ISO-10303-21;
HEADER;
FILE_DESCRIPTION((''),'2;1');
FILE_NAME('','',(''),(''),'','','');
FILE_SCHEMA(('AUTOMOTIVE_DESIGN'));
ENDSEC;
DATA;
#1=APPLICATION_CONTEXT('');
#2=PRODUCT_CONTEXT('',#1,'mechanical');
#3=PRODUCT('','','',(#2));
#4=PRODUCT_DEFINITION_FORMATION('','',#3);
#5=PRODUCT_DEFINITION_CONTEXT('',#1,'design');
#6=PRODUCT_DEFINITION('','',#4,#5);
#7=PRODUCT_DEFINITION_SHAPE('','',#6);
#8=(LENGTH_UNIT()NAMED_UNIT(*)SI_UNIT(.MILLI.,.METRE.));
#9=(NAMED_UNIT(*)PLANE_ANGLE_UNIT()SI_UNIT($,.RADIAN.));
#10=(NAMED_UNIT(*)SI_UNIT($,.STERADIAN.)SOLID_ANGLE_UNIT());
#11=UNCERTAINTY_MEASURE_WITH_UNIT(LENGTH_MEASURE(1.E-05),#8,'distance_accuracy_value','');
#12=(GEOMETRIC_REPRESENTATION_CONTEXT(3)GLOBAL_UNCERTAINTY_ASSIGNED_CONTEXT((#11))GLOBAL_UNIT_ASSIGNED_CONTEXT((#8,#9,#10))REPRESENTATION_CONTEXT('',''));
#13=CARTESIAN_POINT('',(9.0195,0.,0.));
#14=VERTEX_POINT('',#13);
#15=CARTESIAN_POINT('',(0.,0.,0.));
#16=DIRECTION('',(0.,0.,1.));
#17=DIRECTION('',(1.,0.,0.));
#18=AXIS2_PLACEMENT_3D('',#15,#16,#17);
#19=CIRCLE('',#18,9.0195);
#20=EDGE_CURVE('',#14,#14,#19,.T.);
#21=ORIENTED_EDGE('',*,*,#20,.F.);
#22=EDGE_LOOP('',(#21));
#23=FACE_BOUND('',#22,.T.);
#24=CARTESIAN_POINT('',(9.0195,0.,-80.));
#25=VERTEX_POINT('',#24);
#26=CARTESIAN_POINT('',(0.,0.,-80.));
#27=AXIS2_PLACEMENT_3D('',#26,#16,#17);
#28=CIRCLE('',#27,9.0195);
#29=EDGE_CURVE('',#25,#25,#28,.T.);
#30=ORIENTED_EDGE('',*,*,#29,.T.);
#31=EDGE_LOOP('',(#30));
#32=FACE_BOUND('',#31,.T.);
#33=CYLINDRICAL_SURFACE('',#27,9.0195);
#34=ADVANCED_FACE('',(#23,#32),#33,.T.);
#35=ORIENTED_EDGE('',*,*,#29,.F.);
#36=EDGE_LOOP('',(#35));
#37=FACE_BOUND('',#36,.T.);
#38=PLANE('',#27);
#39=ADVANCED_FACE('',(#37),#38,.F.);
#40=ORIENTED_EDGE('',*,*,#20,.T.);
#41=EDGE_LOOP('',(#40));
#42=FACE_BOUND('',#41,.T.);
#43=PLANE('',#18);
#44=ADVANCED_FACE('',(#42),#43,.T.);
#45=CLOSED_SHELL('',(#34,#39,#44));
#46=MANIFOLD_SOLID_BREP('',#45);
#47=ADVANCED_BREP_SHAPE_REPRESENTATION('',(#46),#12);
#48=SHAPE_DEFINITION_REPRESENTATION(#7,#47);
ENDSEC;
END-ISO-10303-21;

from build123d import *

# Parameters (mm, degrees)
SKETCH1_R           = 9.0195
BOSS_EXTRUDE1_DEPTH = 80


with BuildPart() as part:
    # Sketch1 → Boss-Extrude1 (new body)
    with BuildSketch(Plane.XY):
        Circle(SKETCH1_R)
    extrude(amount=-BOSS_EXTRUDE1_DEPTH)


solid = part.part
